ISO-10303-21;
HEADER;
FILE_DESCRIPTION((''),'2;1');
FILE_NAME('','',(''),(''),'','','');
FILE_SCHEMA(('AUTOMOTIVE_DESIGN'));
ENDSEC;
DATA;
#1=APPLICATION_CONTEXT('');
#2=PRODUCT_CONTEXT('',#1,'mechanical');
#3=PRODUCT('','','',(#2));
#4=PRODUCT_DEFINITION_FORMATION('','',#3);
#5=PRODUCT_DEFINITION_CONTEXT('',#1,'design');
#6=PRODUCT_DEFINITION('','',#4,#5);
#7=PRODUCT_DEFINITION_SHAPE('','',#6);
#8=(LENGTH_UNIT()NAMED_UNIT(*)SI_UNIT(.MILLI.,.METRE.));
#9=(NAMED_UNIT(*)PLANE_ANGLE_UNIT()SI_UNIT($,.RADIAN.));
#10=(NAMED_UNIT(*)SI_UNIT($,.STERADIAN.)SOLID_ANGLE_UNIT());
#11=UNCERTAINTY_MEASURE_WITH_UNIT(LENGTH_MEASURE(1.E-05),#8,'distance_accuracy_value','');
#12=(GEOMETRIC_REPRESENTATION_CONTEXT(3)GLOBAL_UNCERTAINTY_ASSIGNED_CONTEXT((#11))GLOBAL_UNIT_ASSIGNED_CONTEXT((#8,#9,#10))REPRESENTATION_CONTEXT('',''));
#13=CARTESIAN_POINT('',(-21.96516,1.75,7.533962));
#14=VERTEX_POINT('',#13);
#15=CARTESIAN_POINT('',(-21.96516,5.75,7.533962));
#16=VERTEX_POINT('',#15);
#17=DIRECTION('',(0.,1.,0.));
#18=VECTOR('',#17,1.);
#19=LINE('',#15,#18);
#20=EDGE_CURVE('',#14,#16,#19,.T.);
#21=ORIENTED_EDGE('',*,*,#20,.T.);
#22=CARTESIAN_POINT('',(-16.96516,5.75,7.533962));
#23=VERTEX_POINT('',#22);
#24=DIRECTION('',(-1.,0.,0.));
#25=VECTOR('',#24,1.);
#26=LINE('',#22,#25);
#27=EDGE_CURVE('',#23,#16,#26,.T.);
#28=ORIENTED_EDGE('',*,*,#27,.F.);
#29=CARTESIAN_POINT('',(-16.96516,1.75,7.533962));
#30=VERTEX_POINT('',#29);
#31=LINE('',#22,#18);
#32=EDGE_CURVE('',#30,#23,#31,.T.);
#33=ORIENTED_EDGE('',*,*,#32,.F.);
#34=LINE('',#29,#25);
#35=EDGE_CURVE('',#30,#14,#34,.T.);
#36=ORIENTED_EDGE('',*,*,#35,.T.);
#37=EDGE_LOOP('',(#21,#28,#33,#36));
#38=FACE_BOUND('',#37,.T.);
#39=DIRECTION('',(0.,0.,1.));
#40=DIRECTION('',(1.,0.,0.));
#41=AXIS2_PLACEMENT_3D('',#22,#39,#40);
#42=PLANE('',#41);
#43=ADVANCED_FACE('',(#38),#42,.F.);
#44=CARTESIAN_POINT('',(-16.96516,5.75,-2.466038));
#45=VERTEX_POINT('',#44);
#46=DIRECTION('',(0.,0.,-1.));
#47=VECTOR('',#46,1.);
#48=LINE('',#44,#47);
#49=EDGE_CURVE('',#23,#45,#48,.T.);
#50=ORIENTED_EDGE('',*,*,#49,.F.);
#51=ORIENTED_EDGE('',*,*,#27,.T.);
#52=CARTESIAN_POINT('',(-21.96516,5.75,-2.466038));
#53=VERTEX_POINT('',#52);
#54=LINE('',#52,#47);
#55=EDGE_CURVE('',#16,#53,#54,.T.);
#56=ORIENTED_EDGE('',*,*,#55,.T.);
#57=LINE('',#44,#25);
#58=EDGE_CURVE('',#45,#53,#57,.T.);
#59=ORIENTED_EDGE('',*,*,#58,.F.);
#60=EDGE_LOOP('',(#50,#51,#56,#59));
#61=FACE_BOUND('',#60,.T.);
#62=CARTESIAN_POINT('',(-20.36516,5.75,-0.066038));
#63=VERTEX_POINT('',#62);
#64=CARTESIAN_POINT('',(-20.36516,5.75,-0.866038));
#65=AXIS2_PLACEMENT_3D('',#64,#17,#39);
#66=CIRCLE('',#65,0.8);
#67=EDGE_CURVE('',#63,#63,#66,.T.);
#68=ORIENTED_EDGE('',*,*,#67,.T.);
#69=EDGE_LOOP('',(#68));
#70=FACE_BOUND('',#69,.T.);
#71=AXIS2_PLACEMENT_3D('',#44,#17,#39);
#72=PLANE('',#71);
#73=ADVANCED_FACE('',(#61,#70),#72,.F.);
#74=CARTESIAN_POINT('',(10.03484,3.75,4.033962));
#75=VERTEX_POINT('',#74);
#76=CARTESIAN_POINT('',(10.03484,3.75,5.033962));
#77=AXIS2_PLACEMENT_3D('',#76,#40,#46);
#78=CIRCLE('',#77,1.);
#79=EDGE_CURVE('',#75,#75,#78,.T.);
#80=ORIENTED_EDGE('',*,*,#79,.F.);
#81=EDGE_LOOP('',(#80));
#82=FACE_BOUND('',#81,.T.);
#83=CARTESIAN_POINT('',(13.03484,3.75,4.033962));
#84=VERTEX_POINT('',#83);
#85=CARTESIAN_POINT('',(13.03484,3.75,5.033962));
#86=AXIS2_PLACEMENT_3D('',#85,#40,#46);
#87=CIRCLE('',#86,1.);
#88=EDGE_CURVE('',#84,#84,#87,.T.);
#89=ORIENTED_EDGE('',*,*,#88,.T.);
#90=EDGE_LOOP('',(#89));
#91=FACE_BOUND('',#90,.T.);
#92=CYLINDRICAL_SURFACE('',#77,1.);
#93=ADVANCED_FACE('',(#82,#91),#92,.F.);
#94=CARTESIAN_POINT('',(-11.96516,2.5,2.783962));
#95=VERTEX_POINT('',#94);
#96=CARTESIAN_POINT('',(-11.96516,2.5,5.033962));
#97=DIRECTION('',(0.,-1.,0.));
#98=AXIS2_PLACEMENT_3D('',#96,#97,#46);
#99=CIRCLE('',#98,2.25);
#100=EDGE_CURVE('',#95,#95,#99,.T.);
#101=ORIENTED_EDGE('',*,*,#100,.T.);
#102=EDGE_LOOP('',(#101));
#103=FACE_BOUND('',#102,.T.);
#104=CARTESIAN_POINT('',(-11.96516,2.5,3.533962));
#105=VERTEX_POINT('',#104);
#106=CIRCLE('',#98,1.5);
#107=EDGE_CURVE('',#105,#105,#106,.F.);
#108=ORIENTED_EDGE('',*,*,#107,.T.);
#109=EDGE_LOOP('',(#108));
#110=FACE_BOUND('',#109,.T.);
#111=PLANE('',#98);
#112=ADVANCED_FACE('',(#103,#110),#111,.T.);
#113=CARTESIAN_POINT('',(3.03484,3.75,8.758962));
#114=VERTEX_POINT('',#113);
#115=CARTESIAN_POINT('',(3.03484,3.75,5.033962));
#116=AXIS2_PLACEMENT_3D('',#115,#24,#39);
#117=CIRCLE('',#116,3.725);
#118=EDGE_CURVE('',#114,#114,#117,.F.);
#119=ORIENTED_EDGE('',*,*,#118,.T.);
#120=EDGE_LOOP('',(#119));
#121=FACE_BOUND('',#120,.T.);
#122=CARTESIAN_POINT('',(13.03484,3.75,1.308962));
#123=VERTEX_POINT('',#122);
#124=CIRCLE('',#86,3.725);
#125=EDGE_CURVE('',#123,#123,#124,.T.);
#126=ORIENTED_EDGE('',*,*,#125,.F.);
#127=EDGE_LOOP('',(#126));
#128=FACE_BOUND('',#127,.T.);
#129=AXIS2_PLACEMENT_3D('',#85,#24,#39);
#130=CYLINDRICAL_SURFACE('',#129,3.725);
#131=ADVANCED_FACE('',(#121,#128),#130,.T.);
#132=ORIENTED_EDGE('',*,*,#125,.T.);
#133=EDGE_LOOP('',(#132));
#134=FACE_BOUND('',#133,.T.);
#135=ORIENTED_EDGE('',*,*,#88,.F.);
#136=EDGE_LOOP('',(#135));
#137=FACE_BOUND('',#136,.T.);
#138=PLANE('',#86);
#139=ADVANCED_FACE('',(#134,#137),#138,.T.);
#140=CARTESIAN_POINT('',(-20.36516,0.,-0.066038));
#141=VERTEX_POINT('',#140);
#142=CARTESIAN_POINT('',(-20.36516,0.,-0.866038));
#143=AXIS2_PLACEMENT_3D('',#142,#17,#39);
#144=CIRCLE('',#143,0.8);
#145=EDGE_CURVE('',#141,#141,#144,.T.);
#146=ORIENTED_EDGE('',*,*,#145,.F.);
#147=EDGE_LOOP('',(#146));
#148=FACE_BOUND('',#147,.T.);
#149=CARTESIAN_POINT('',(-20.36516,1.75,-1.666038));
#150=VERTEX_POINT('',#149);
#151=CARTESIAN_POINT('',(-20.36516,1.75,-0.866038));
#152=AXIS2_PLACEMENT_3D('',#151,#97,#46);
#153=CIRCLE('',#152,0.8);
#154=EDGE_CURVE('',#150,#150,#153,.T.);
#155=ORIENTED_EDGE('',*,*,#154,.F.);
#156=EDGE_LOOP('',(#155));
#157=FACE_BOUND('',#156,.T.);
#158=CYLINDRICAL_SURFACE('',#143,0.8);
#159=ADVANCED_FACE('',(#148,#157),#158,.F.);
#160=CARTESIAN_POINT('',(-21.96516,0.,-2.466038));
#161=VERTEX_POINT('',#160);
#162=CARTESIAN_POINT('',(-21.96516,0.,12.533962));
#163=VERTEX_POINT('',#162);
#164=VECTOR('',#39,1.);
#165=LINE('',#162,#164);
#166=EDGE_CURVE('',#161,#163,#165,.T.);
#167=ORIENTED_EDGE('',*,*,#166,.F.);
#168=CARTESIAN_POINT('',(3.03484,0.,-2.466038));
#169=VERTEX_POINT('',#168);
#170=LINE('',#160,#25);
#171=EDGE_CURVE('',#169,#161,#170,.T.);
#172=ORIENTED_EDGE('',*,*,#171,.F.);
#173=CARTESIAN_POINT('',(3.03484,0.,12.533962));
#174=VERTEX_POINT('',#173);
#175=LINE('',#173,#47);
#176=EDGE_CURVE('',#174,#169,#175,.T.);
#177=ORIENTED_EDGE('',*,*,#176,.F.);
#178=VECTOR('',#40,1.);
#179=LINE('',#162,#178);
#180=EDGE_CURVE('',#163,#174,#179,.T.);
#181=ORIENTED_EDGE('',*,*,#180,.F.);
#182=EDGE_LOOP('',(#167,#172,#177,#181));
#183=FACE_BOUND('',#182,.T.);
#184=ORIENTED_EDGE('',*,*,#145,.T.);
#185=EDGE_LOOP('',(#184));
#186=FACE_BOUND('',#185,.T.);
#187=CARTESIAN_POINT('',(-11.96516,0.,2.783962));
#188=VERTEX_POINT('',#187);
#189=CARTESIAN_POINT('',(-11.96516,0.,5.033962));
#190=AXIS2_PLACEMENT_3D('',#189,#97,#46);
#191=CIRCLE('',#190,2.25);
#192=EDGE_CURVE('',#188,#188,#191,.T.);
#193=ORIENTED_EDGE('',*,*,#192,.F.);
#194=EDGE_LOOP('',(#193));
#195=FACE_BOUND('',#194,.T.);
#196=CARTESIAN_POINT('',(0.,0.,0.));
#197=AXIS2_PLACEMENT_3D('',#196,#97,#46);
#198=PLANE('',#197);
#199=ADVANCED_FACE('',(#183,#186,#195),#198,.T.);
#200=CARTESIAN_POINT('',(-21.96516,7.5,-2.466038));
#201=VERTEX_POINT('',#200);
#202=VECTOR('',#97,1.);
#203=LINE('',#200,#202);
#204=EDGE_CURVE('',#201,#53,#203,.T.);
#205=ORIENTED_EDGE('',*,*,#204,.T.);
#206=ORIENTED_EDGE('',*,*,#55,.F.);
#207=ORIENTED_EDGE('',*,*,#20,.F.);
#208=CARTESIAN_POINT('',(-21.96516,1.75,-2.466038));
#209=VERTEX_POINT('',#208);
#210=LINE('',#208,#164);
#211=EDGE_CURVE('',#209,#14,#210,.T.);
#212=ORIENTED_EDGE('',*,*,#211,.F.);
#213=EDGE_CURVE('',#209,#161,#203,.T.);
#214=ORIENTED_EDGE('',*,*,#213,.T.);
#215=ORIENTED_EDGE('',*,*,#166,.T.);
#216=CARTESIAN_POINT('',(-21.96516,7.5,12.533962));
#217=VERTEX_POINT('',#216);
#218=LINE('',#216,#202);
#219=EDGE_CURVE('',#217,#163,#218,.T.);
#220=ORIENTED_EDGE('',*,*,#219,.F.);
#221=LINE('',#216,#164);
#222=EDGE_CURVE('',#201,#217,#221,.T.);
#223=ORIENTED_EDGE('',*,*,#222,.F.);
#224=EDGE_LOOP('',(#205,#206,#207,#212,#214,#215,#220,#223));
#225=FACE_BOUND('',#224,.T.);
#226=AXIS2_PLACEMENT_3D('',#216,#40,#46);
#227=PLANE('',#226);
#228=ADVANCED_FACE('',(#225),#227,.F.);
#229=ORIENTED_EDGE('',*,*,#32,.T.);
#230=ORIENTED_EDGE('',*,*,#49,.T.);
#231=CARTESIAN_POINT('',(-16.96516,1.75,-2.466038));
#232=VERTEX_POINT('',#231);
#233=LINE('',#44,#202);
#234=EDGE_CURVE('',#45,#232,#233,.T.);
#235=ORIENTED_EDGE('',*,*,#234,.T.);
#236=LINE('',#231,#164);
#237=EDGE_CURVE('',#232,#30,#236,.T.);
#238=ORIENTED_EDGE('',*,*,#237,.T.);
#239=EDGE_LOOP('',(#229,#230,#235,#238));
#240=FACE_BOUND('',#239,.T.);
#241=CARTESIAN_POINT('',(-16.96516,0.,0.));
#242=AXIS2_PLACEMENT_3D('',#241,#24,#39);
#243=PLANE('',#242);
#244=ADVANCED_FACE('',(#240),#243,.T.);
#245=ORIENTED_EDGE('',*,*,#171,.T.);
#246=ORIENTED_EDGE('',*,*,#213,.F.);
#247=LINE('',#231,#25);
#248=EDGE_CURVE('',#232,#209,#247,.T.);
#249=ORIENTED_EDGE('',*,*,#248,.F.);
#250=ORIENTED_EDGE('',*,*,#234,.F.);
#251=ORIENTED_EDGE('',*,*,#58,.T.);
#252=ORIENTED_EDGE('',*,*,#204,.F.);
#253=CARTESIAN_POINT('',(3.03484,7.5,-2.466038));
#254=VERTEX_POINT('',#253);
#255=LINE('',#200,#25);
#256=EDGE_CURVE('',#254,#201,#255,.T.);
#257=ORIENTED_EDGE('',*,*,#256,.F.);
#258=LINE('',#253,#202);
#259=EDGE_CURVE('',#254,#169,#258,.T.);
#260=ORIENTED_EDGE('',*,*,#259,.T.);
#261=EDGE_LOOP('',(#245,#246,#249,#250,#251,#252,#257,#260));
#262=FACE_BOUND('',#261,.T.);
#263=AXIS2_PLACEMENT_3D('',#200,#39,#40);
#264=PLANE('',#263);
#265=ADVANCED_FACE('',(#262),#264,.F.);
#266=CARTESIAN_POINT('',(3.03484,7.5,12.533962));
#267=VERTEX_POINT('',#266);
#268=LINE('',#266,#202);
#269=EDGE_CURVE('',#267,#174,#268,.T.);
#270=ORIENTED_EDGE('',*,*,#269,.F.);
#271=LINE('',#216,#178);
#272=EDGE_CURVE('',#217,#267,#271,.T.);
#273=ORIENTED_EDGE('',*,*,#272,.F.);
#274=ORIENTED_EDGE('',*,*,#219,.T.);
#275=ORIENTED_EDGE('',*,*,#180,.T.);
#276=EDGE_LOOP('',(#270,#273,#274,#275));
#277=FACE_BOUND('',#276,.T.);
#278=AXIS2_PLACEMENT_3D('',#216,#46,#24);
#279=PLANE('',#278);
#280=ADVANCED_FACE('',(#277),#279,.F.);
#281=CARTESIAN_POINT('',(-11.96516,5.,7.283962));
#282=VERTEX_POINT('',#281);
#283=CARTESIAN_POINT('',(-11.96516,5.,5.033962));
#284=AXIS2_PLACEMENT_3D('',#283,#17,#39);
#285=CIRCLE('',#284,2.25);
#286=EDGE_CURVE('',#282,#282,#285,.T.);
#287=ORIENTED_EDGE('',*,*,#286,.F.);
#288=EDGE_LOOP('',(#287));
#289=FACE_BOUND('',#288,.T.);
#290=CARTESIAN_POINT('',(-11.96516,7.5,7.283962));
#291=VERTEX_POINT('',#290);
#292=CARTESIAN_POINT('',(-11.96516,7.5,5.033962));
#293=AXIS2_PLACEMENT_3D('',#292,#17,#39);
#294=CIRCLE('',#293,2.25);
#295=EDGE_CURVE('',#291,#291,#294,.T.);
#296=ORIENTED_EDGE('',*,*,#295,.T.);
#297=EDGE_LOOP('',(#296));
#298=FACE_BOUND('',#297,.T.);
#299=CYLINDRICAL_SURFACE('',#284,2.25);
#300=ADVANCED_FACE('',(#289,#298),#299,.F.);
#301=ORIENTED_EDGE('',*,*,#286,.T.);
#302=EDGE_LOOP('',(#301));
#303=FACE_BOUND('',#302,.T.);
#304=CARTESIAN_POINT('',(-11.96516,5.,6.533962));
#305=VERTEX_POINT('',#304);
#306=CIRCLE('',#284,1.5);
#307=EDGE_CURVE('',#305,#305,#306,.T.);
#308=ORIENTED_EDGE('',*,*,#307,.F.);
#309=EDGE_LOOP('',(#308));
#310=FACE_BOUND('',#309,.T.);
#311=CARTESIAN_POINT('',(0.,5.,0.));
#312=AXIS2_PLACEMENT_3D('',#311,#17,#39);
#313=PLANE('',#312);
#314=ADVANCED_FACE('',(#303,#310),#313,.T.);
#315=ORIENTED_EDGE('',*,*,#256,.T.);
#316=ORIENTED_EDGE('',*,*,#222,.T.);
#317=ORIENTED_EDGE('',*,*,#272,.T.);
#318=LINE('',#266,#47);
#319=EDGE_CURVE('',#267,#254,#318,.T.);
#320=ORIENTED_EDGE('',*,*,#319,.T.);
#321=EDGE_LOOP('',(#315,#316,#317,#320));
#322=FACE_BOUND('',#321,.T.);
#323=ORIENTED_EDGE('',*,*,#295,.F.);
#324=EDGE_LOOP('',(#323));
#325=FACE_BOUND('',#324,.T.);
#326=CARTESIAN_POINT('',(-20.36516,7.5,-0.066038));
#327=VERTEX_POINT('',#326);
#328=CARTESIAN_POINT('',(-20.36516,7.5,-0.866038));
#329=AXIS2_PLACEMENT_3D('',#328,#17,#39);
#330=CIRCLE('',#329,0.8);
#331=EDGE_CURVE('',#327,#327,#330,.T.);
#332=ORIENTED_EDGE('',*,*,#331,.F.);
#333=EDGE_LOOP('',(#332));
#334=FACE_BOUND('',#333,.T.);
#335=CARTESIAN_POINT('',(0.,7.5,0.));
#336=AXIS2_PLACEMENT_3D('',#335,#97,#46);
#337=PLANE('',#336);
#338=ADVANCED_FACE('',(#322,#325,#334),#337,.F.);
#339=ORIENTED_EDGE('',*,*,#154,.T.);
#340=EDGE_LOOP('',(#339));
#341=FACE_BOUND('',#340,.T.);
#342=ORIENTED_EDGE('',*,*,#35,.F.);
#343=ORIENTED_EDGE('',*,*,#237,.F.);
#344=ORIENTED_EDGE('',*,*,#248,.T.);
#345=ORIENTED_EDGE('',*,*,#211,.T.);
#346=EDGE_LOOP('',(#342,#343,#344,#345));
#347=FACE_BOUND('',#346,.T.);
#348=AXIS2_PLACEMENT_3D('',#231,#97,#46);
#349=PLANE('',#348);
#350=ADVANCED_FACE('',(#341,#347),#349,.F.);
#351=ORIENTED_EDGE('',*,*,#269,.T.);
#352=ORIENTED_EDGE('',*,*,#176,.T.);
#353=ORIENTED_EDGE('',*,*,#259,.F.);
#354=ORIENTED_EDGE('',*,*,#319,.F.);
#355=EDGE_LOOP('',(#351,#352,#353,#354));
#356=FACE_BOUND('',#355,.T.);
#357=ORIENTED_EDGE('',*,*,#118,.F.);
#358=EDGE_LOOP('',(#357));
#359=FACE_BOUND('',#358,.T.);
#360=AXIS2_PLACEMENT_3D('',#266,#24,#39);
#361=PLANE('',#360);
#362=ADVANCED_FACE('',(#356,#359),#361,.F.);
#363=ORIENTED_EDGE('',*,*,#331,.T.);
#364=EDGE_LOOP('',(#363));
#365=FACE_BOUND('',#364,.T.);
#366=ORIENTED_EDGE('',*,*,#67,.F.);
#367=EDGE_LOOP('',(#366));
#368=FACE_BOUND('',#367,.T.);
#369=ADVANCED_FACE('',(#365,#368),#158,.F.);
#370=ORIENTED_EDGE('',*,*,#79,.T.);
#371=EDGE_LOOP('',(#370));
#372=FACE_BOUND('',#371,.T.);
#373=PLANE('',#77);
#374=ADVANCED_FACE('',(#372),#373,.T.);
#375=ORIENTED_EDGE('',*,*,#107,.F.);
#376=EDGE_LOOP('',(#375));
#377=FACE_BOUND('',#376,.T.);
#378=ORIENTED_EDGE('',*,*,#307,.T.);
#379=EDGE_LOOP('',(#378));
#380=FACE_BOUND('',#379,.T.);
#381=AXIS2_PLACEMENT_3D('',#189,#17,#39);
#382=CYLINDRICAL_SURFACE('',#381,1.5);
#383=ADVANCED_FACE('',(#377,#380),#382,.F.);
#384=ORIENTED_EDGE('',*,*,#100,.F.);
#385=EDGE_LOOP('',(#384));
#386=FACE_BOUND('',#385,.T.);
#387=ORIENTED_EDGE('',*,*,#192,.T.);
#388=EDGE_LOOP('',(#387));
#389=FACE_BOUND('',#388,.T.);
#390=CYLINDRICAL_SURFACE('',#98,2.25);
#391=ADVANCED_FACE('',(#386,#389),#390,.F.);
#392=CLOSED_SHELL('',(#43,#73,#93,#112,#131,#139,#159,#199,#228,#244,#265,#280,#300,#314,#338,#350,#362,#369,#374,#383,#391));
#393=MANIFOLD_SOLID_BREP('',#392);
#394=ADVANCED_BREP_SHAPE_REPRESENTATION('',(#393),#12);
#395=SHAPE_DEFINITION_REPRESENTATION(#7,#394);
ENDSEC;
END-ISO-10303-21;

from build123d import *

# Parameters (mm, degrees)
SKETCH1_W           = 25
SKETCH1_H           = 15
BOSS_EXTRUDE1_DEPTH = 7.5
SKETCH2_R           = 3.725
BOSS_EXTRUDE2_DEPTH = 10
SKETCH3_R           = 1
CUT_EXTRUDE1_DEPTH  = 3
SKETCH4_W           = 10
SKETCH4_H           = 4
CUT_EXTRUDE2_DEPTH  = 5
SKETCH5_R           = 0.8
CUT_EXTRUDE3_DEPTH  = 7.5
SKETCH6_R           = 1.5
CUT_EXTRUDE4_DEPTH  = 7.5
SKETCH6_3_R         = 2.25
SKETCH6_3_R_2       = 1.5
CUT_EXTRUDE5_DEPTH  = 2.5
CUT_EXTRUDE6_START  = -2.5
SKETCH7_R           = 2.25
CUT_EXTRUDE6_DEPTH  = 2.5


with BuildPart() as part:
    # Sketch1 → Boss-Extrude1 (new body)
    with BuildSketch(Plane(origin=(0, 0, 0), x_dir=(1, 0, 0), z_dir=(0, 1, 0))):
        with Locations((-9.465160398, -5.033961787)):
            Rectangle(SKETCH1_W, SKETCH1_H)
    extrude(amount=BOSS_EXTRUDE1_DEPTH)

    # Sketch2 → Boss-Extrude2 (add)
    with BuildSketch(Plane(origin=(3.034839602, 0, 0), x_dir=(0, 0, -1), z_dir=(1, 0, 0))):
        with Locations((-5.033961787, 3.75)):
            Circle(SKETCH2_R)
    extrude(amount=BOSS_EXTRUDE2_DEPTH)

    # Sketch3 → Cut-Extrude1 (cut)
    with BuildSketch(Plane(origin=(13.034839602, 0, 0), x_dir=(0, 0, -1), z_dir=(1, 0, 0))):
        with Locations((-5.033961787, 3.75)):
            Circle(SKETCH3_R)
    extrude(amount=-CUT_EXTRUDE1_DEPTH, mode=Mode.SUBTRACT)

    # Sketch4 → Cut-Extrude2 (cut)
    with BuildSketch(Plane.ZY.offset(21.965160398)):
        with Locations((2.533961787, 3.75)):
            Rectangle(SKETCH4_W, SKETCH4_H)
    extrude(amount=-CUT_EXTRUDE2_DEPTH, mode=Mode.SUBTRACT)

    # Sketch5 → Cut-Extrude3 (cut)
    with BuildSketch(Plane(origin=(0, 7.5, 0), x_dir=(1, 0, 0), z_dir=(0, 1, 0))):
        with Locations((-20.365160398, 0.866038213)):
            Circle(SKETCH5_R)
    extrude(amount=-CUT_EXTRUDE3_DEPTH, mode=Mode.SUBTRACT)

    # Sketch6 → Cut-Extrude4 (cut)
    with BuildSketch(Plane(origin=(0, 7.5, 0), x_dir=(1, 0, 0), z_dir=(0, 1, 0))):
        with Locations((-11.965160398, -5.033961787)):
            Circle(SKETCH6_R)
    extrude(amount=-CUT_EXTRUDE4_DEPTH, mode=Mode.SUBTRACT)

    # Sketch6<3> → Cut-Extrude5 (cut)
    with BuildSketch(Plane(origin=(0, 7.5, 0), x_dir=(1, 0, 0), z_dir=(0, 1, 0))):
        with Locations((-11.965160398, -5.033961787)):
            Circle(SKETCH6_3_R)
        with Locations((-11.965160398, -5.033961787)):
            Circle(SKETCH6_3_R_2, mode=Mode.SUBTRACT)
    extrude(amount=-CUT_EXTRUDE5_DEPTH, mode=Mode.SUBTRACT)

    # Sketch7 → Cut-Extrude6 (cut)
    with BuildSketch(Plane.XZ.offset(CUT_EXTRUDE6_START)):
        with Locations((-11.965160398, 5.033961787)):
            Circle(SKETCH7_R)
    extrude(amount=CUT_EXTRUDE6_DEPTH, mode=Mode.SUBTRACT)


solid = part.part
